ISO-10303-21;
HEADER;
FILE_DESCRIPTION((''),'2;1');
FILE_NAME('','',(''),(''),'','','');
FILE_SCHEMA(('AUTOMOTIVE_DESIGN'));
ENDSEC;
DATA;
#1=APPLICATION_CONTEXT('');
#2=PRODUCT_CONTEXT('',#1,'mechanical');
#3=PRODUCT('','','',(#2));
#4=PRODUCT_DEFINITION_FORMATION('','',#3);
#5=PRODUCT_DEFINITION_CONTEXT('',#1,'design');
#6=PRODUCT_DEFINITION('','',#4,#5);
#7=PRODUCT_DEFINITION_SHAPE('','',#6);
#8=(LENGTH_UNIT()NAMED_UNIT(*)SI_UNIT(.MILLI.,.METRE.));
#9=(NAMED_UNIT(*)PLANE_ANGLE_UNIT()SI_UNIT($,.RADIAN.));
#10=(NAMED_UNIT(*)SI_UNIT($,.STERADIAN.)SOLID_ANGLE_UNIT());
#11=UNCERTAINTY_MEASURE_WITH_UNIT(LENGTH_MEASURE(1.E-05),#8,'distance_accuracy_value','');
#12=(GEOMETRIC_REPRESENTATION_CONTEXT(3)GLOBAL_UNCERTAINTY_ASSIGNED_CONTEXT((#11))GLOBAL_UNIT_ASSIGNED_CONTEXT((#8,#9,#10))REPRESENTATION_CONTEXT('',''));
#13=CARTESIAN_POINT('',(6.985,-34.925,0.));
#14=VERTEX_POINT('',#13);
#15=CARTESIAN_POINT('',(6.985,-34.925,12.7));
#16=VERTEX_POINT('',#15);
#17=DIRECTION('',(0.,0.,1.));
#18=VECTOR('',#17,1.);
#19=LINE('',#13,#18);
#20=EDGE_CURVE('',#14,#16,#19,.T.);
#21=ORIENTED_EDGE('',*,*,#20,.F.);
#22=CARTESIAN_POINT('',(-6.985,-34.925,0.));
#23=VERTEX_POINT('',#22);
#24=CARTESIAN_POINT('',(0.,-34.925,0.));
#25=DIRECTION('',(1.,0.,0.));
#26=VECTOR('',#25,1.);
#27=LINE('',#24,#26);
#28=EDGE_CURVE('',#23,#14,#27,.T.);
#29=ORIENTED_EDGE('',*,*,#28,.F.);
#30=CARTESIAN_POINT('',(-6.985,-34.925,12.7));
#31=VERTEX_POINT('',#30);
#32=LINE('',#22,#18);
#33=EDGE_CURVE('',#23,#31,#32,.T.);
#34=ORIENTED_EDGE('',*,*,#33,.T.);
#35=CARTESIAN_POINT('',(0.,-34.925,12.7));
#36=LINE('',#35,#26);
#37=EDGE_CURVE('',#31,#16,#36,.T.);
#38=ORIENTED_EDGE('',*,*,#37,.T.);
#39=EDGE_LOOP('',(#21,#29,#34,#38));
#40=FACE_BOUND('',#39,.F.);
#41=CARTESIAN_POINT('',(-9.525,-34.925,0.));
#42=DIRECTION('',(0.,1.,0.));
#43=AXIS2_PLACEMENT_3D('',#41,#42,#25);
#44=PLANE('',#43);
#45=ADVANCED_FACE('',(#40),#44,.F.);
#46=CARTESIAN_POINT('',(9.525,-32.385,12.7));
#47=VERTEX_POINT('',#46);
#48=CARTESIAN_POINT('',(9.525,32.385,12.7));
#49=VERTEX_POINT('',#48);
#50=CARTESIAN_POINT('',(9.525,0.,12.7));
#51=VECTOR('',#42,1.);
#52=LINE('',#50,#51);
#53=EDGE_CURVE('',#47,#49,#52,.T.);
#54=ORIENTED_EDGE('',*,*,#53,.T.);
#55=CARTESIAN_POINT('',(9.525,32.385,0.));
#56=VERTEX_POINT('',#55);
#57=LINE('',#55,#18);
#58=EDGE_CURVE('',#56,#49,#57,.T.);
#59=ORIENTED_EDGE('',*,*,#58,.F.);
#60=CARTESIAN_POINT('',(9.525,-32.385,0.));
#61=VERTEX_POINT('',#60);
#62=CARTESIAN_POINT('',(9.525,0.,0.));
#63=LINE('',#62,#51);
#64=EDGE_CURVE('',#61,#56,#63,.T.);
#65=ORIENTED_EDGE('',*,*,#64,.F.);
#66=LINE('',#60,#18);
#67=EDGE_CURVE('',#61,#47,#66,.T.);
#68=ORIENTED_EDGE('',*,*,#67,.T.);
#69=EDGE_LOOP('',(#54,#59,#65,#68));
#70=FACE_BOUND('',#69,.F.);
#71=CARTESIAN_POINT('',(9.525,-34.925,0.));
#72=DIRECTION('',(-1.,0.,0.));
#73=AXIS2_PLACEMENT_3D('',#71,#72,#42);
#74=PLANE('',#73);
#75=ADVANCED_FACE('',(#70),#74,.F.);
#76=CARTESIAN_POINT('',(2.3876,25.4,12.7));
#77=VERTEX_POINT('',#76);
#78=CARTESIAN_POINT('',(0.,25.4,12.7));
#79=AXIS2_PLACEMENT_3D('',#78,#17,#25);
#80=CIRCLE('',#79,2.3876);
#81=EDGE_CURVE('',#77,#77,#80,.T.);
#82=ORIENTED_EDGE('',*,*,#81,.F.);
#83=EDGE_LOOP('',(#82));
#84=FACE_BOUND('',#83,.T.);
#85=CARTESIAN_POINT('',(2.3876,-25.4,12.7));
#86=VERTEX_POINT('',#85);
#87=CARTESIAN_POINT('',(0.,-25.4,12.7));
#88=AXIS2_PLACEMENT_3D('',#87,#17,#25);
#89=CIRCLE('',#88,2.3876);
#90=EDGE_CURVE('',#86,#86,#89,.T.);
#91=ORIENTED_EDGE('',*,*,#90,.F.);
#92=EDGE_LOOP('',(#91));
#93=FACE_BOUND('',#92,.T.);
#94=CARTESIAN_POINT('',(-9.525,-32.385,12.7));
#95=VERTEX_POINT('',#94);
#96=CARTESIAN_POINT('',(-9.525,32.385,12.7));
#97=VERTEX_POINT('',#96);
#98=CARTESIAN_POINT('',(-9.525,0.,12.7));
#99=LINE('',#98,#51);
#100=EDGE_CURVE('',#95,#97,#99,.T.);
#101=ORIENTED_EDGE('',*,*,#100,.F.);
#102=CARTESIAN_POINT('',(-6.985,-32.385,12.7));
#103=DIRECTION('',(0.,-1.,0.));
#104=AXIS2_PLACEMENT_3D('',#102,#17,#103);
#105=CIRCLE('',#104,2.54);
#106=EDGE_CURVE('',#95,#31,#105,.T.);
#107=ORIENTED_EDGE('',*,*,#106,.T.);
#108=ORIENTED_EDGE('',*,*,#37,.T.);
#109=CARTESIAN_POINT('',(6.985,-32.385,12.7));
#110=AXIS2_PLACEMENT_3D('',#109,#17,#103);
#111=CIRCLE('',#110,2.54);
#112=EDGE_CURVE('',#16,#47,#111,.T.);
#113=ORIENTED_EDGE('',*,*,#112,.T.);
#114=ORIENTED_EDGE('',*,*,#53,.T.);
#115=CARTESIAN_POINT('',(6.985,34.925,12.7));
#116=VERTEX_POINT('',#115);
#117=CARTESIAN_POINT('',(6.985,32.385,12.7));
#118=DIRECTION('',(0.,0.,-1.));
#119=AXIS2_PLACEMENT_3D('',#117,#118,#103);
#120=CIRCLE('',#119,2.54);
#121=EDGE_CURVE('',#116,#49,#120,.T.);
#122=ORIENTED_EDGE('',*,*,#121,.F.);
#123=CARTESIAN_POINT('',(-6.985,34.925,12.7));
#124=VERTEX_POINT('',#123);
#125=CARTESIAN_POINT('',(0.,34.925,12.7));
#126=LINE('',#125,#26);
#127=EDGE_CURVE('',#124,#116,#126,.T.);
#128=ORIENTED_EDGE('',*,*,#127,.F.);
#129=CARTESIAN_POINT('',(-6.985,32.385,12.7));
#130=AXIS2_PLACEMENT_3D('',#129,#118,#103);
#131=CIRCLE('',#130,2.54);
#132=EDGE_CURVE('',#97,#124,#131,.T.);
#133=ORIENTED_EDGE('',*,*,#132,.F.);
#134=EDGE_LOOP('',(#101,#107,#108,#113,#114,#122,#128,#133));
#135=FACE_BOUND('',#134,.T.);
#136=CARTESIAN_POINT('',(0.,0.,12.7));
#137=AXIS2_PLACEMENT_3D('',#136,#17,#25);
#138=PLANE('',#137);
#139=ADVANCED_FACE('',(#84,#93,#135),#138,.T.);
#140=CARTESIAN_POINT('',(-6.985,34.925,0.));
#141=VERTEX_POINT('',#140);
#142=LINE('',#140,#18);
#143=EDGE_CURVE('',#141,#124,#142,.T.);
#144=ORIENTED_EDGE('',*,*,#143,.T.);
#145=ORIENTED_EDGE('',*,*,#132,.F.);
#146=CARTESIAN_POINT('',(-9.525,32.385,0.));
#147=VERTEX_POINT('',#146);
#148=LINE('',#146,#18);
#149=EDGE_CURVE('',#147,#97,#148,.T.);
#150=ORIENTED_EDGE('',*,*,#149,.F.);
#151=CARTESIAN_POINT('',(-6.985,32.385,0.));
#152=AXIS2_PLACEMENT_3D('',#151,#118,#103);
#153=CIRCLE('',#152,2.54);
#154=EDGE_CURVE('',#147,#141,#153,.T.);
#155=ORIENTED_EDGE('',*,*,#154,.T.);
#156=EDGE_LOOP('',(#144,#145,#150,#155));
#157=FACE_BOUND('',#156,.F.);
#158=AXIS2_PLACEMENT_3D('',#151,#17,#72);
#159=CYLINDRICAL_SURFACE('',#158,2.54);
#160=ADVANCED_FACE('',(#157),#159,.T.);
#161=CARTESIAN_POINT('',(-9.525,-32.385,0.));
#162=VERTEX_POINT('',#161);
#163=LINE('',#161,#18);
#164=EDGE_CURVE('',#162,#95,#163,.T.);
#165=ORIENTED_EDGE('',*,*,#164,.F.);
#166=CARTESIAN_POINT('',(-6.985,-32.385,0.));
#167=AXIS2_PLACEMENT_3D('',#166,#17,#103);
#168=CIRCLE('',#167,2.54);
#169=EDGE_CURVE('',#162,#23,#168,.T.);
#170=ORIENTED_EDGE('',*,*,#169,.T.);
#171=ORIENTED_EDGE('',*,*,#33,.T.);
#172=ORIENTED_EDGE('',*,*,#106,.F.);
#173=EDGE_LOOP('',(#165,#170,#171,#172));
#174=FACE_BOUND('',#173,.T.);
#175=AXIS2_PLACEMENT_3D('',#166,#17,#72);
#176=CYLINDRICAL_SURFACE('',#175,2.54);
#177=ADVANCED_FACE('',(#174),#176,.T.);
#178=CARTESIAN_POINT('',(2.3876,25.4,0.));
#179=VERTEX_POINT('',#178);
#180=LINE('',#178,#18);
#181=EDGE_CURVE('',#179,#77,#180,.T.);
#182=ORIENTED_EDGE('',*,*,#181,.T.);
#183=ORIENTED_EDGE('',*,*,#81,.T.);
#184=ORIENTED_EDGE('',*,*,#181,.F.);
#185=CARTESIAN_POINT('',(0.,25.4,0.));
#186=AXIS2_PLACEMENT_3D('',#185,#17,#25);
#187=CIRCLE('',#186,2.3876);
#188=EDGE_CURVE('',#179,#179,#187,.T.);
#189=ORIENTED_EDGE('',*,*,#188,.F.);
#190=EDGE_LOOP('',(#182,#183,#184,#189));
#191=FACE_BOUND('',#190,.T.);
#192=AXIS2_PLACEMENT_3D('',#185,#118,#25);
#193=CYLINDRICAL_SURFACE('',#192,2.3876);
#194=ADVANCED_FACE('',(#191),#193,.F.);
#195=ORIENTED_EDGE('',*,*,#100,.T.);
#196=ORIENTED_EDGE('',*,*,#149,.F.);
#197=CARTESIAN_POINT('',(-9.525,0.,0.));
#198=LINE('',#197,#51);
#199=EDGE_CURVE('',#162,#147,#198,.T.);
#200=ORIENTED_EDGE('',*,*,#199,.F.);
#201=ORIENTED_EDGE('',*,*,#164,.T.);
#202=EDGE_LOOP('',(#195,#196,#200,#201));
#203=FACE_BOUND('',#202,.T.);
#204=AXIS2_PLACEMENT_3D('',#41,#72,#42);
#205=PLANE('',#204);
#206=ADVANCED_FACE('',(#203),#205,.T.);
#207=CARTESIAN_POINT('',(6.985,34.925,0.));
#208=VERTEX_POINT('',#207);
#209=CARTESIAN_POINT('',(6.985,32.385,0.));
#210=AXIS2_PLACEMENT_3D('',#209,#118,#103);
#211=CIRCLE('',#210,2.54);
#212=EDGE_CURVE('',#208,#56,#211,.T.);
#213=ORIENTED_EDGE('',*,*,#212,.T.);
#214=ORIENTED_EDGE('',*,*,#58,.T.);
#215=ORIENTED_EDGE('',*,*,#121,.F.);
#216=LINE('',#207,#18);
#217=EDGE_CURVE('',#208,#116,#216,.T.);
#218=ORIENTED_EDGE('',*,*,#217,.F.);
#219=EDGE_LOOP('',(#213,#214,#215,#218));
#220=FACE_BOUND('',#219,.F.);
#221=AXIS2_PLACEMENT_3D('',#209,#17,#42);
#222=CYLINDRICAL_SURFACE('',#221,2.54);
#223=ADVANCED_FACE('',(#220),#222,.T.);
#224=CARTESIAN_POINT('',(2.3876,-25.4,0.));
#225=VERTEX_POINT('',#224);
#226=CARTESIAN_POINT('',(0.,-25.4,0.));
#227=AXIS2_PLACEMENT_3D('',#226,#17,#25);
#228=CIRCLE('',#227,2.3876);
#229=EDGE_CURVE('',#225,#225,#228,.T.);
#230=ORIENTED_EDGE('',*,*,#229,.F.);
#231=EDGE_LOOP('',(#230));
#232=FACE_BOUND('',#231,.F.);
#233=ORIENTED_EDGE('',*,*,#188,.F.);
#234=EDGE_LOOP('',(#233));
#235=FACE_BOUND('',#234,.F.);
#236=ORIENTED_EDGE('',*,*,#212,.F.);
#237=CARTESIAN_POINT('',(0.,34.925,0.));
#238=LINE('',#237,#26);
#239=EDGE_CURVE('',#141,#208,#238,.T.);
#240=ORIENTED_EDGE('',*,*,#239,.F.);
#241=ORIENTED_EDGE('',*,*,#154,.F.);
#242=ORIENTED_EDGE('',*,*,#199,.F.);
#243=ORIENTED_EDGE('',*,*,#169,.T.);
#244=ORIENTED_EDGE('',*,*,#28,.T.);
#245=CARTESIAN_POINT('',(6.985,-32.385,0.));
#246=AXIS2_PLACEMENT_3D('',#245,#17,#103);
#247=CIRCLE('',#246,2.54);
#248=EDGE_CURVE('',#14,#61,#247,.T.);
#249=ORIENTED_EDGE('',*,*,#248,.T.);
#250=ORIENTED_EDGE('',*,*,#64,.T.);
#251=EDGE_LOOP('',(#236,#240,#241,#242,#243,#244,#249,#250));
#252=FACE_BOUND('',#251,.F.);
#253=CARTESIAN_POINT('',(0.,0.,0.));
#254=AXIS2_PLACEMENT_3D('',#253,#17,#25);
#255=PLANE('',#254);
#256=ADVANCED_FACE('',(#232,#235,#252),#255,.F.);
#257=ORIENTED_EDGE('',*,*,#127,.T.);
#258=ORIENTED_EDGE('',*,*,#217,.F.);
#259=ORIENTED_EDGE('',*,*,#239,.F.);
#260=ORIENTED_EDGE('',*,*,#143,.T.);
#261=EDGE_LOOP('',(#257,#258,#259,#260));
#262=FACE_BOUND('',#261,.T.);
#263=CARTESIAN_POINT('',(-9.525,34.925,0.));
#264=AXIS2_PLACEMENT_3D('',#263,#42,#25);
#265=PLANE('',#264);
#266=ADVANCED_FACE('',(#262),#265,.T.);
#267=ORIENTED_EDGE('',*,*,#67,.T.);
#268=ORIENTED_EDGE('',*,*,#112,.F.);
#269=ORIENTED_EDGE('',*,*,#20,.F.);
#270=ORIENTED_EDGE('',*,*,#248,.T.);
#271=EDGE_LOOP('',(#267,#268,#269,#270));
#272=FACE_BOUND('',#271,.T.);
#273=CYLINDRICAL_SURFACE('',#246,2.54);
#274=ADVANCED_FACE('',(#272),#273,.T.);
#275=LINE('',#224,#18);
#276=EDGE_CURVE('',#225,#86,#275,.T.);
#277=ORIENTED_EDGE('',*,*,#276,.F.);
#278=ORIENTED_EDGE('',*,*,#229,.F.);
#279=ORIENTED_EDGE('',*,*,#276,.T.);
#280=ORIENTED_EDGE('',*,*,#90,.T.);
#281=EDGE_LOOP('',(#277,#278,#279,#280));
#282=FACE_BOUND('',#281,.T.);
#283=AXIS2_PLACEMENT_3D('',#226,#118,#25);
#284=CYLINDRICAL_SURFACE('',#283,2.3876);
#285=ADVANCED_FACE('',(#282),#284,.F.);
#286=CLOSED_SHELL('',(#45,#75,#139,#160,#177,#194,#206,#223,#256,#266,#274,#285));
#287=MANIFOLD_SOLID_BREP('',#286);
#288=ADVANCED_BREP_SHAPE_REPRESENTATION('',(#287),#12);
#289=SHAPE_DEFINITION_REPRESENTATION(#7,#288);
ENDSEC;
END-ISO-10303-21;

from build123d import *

# Parameters (mm, degrees)
F0_W     = 19.05
F0_H     = 69.85
F0_R     = 2.3876
F1_DEPTH = 12.7
F2_R     = 2.54


with BuildPart() as f1:
    # F0 (on Top) → F1 (new body)
    with BuildSketch(Plane.XY):
        Rectangle(F0_W, F0_H)
        with Locations((0, -25.4)):
            Circle(F0_R, mode=Mode.SUBTRACT)
        with Locations((0, 25.4)):
            Circle(F0_R, mode=Mode.SUBTRACT)
    extrude(amount=F1_DEPTH)

    # F2
    f2_edges = [f1.edges().sort_by_distance(p)[0] for p in [
        (9.525, -34.925, 6.35),
        (-9.525, -34.925, 6.35),
        (9.525, 34.925, 6.35),
        (-9.525, 34.925, 6.35),
    ]]
    fillet(f2_edges, radius=F2_R)


solid = f1.part
